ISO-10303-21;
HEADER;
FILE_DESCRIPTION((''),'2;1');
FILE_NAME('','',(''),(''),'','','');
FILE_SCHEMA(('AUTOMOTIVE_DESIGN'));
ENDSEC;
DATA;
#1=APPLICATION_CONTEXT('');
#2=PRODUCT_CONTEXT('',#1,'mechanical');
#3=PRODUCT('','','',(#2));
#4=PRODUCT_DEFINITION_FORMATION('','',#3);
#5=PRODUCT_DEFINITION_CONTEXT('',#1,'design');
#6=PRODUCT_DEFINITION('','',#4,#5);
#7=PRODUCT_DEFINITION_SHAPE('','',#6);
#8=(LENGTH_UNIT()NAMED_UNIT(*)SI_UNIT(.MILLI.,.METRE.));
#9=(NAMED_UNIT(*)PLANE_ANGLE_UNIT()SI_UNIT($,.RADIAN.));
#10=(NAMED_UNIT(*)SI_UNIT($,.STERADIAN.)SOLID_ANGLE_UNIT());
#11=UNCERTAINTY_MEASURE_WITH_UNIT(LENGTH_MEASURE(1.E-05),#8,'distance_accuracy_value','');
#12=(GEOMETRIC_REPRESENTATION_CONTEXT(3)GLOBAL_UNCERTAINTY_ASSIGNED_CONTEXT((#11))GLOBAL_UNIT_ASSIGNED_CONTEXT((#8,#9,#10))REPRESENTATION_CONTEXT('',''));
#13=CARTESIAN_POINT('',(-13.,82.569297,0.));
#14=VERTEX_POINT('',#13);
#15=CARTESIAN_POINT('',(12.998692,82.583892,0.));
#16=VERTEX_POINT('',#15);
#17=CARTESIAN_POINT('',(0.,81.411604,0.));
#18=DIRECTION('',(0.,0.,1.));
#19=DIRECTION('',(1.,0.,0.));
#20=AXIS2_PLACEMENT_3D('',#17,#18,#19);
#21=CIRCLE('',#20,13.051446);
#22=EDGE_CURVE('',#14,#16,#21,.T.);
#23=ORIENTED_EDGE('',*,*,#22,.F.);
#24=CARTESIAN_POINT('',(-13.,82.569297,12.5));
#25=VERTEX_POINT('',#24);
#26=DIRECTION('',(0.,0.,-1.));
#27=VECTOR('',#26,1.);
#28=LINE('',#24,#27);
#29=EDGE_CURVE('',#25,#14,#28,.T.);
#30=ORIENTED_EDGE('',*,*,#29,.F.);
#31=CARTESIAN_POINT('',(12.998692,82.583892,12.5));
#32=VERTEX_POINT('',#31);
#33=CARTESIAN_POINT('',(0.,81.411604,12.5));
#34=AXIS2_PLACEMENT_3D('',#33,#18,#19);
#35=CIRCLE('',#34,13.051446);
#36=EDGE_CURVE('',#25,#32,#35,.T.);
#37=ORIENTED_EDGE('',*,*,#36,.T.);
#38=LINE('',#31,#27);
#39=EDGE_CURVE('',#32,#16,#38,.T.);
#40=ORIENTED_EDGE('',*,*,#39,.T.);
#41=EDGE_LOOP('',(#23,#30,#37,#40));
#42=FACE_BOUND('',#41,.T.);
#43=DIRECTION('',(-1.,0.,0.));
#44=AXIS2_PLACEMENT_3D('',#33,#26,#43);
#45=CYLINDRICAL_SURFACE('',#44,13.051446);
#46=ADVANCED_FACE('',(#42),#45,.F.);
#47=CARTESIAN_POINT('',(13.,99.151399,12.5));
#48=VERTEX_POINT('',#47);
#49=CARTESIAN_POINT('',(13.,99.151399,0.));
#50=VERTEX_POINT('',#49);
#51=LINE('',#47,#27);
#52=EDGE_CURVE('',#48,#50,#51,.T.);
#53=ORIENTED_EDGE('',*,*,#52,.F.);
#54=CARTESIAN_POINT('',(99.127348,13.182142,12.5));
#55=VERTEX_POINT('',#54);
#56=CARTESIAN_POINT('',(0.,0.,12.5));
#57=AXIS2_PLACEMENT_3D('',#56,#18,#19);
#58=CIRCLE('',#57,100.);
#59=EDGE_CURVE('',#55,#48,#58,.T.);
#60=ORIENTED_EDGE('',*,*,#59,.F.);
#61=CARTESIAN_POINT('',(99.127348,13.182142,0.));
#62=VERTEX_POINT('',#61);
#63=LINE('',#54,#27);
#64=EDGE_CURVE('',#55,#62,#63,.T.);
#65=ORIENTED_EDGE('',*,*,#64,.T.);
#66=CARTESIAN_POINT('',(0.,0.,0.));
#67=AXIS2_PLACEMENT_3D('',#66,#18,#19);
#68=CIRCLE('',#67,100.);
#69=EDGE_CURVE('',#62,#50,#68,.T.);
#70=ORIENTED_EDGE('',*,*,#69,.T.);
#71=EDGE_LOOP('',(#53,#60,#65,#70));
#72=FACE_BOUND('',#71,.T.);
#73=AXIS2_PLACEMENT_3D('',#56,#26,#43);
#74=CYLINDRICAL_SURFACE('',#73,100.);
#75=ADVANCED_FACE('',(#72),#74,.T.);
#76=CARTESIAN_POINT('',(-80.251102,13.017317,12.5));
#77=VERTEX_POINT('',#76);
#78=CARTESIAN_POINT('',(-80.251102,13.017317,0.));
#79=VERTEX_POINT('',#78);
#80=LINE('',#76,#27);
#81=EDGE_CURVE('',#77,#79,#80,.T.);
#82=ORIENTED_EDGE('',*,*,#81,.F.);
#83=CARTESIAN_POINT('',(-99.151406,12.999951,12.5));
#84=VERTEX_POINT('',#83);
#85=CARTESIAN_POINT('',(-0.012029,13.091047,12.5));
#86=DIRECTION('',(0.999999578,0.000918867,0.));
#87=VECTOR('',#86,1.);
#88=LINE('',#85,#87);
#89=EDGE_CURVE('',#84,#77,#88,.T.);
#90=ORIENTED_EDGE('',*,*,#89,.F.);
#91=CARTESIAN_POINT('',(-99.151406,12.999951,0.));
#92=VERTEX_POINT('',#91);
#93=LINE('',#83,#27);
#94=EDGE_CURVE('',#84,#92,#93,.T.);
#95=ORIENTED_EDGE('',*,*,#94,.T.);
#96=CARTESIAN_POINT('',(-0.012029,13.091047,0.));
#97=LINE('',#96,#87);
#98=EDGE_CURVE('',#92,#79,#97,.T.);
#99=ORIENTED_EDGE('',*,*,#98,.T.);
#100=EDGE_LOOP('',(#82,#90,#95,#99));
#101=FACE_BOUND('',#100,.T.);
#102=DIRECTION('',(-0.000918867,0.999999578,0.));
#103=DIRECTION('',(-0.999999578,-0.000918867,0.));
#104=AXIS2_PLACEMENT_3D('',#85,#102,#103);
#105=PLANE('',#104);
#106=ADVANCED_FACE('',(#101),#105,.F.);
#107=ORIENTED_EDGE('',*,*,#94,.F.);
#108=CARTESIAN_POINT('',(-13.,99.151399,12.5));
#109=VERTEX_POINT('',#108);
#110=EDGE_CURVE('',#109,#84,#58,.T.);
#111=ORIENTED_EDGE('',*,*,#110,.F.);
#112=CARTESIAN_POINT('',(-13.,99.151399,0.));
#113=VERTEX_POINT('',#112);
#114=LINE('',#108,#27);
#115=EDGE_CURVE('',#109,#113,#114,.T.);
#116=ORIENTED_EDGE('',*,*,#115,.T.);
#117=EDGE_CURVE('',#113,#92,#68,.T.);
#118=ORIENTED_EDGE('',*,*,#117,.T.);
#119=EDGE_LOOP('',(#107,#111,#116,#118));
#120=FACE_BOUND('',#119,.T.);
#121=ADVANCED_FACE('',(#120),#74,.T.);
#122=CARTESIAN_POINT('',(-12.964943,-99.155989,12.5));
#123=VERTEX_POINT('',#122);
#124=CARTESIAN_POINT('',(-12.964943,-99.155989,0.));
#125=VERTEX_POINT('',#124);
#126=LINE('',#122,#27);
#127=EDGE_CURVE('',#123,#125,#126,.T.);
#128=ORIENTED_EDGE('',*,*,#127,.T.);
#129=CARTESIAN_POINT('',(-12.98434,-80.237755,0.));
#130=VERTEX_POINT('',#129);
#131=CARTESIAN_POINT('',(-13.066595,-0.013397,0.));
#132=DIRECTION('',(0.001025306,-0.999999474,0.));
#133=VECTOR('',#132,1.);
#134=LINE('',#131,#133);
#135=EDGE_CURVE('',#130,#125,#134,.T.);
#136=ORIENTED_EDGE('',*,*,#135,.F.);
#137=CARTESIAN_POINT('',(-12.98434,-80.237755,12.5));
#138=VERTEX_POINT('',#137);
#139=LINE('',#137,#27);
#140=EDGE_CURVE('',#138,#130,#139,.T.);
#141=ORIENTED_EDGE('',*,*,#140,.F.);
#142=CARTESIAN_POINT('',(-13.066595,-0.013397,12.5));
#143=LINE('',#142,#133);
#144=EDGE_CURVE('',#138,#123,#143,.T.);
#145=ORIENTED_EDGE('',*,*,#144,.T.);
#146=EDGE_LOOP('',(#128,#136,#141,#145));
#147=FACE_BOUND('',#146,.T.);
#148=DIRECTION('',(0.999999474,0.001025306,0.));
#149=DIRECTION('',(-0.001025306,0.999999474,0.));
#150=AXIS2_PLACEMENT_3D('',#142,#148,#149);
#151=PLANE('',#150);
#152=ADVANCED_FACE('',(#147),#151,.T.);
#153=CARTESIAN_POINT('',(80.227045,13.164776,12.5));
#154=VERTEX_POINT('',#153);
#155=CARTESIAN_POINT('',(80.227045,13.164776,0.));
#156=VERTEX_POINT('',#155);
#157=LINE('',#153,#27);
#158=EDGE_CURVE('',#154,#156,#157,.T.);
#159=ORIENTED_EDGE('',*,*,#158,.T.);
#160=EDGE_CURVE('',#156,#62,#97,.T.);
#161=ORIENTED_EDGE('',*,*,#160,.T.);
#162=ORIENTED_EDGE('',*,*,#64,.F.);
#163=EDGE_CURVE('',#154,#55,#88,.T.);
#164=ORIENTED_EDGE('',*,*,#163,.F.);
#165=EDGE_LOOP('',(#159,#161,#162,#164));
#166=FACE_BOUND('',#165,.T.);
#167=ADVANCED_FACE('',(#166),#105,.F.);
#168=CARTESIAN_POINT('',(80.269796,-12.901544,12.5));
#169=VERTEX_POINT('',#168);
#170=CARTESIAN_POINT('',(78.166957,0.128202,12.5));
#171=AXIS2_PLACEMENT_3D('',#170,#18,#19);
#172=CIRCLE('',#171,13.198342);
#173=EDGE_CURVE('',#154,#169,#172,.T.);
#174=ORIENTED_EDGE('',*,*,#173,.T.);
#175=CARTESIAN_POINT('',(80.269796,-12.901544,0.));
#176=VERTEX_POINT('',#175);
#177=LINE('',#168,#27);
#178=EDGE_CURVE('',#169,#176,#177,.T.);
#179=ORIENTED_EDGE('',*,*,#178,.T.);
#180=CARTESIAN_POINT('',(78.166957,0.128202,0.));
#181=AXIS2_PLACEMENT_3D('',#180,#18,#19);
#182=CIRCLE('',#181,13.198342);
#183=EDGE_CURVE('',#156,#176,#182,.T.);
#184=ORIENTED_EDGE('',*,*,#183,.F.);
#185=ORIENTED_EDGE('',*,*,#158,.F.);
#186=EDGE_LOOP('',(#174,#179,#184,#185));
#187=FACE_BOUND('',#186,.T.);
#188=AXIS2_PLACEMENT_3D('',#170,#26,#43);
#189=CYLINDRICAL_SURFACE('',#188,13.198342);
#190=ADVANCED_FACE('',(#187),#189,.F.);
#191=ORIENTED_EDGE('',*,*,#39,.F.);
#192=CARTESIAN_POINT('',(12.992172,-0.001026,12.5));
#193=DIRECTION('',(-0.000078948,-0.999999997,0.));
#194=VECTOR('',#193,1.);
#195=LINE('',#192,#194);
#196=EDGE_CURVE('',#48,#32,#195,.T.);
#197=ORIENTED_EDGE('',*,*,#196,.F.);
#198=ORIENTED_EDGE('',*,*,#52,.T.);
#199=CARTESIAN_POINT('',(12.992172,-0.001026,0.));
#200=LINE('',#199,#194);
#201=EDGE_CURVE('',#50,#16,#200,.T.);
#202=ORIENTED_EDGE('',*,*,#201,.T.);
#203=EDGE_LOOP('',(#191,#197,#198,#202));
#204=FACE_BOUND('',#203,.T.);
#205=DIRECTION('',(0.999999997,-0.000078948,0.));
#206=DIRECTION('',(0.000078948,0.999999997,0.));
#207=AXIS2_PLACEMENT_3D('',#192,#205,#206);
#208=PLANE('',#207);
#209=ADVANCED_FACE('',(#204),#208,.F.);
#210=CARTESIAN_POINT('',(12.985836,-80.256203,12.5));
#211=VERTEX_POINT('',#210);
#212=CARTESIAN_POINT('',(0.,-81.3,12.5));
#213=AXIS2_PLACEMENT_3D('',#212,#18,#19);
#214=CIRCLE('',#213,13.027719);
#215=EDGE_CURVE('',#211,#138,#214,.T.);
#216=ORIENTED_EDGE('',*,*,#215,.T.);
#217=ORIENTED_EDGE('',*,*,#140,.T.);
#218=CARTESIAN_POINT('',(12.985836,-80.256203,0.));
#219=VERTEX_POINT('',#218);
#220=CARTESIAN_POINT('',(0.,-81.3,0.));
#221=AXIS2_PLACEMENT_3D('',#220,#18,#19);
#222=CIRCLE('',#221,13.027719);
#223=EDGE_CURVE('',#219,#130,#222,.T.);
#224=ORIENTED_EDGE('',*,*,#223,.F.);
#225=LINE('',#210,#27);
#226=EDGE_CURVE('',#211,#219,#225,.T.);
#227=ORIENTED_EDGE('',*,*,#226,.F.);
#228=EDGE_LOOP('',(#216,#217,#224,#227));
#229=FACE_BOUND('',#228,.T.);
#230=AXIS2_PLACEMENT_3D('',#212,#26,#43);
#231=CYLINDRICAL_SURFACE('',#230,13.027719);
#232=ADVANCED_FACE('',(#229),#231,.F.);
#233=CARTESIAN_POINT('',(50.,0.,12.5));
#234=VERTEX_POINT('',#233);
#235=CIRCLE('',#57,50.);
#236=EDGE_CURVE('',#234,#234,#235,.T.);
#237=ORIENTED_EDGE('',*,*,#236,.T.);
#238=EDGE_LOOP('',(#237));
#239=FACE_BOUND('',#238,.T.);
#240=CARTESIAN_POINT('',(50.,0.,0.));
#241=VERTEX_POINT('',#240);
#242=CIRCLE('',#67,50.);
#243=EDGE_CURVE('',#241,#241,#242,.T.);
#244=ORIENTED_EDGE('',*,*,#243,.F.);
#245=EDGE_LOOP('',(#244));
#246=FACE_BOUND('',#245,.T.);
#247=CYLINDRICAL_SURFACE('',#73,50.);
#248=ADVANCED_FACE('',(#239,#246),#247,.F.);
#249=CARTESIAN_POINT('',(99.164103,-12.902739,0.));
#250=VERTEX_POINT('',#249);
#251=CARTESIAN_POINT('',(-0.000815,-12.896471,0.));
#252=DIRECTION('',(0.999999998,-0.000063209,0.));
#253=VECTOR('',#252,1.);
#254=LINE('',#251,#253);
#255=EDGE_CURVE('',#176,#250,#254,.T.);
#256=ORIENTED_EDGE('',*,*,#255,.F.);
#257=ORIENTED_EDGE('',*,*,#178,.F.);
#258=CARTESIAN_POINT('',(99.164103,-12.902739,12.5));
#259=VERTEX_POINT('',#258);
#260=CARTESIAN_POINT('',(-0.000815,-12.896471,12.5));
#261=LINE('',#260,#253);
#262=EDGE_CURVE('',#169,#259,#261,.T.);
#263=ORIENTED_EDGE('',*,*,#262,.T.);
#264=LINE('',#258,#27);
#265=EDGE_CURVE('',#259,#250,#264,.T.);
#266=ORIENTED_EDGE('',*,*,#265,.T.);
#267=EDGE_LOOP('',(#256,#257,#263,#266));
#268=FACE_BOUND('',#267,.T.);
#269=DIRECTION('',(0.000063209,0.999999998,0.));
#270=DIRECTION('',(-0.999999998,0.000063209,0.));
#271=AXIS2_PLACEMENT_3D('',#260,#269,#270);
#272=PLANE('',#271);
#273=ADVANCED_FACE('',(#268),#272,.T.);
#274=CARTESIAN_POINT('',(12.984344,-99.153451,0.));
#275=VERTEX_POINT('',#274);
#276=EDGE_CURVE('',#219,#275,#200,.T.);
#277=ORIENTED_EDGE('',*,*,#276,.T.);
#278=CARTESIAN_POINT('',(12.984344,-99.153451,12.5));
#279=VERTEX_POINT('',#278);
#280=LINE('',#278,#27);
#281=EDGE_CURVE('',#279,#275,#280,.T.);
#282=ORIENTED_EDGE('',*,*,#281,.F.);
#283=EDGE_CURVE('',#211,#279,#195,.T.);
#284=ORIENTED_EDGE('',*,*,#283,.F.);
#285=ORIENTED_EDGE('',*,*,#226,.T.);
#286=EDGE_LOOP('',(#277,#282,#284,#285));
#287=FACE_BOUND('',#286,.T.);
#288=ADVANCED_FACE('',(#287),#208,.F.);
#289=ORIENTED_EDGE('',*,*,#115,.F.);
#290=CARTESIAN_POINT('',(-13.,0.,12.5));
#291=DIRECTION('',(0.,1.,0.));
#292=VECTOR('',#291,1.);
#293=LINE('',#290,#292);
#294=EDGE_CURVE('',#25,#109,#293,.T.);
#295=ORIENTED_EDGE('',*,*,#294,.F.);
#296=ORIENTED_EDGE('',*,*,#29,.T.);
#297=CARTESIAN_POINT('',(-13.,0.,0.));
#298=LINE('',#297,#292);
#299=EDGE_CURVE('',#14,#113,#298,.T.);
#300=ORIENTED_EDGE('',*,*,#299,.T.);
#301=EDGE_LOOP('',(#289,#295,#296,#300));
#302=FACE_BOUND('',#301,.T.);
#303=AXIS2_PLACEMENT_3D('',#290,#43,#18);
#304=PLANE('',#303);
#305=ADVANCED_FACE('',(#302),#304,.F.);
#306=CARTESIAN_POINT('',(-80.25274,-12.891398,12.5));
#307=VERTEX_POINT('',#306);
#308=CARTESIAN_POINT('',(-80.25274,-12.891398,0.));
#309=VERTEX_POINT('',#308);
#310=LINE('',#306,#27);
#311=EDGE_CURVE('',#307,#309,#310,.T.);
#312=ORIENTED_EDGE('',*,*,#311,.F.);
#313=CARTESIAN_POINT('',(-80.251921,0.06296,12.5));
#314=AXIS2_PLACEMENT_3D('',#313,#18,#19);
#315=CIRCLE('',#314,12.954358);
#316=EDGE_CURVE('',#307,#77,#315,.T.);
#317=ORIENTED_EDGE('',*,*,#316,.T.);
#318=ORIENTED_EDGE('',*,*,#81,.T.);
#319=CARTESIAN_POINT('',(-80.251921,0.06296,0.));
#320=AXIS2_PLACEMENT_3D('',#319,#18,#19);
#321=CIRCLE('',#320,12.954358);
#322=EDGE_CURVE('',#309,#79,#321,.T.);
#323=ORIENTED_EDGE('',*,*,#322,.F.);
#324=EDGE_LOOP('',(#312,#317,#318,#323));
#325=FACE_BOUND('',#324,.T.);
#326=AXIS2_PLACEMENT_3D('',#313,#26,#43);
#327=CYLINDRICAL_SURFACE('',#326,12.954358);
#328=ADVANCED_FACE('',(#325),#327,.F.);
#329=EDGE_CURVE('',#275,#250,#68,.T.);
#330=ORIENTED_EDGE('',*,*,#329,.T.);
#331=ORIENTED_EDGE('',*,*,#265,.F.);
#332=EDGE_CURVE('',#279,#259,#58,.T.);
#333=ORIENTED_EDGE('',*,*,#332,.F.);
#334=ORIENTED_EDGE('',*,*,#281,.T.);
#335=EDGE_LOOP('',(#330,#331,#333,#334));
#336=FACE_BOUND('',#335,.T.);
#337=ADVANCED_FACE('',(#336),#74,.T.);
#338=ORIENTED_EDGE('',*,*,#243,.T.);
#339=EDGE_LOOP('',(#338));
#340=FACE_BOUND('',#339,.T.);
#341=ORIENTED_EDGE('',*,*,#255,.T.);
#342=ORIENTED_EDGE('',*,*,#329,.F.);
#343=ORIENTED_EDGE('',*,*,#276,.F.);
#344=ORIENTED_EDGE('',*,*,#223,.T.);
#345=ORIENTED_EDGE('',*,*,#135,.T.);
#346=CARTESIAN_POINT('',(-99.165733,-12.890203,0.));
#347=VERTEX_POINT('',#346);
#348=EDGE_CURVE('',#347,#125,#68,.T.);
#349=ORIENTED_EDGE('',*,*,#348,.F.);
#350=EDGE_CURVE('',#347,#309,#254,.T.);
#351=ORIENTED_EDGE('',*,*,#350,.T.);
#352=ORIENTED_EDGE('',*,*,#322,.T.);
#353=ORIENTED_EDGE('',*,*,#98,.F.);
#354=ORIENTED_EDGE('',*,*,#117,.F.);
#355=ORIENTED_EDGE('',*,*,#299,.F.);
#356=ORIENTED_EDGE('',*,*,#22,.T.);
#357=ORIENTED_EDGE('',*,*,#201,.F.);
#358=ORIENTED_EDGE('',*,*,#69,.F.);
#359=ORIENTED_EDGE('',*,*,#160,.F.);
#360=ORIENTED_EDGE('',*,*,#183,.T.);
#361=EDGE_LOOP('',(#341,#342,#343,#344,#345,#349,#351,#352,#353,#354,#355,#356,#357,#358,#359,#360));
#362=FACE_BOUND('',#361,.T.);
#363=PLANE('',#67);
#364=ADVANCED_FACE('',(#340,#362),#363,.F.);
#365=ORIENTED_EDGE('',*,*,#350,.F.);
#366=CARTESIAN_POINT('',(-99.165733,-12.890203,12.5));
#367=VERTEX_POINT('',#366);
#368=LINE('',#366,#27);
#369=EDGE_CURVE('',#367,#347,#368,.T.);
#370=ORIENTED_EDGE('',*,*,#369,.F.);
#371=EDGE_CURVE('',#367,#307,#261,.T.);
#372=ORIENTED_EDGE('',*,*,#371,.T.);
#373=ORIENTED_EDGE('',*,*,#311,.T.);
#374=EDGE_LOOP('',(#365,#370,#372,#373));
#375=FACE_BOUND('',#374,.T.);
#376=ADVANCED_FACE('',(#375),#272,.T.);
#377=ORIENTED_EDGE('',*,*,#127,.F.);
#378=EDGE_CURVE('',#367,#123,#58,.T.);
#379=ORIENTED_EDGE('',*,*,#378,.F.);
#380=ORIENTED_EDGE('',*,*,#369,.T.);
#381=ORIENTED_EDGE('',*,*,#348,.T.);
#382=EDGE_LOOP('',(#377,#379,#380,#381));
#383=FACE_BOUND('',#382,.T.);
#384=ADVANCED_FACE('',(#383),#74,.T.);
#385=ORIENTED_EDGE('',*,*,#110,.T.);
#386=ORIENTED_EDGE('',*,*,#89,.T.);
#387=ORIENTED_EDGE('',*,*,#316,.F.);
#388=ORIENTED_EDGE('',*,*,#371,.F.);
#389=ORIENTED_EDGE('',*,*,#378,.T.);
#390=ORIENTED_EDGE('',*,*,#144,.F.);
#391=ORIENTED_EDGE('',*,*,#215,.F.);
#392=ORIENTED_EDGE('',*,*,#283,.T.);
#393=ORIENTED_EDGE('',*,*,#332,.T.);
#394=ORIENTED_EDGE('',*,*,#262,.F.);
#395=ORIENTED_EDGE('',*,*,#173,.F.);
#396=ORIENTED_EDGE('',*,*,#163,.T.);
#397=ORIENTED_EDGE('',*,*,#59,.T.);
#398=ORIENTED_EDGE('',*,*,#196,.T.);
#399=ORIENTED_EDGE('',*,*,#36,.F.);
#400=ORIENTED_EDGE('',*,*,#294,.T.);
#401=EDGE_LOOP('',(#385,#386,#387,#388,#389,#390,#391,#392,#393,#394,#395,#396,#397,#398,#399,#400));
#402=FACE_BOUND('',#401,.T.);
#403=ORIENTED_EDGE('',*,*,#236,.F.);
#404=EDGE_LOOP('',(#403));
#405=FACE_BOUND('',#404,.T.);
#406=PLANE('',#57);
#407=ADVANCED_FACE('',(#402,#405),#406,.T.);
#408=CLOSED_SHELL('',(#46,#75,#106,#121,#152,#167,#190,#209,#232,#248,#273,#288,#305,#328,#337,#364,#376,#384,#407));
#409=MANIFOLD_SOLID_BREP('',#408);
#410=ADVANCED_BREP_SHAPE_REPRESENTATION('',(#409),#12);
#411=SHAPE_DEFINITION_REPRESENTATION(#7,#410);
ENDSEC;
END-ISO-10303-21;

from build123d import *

# Parameters (mm, degrees)
SKETCH1_R           = 50
BOSS_EXTRUDE1_DEPTH = 12.5


with BuildPart() as part:
    # Sketch1 → Boss-Extrude1 (new body)
    with BuildSketch(Plane.XY):
        with BuildLine():
            ThreePointArc((80.269796006, -12.90154445), (64.968632792, 0.106555165), (80.22704459, 13.164775589))
            Line((80.22704459, 13.164775589), (99.127347992, 13.182142467))
            ThreePointArc((99.127347992, 13.182142467), (70.645692195, 70.775604372), (13, 99.151399385))
            Line((13, 99.151399385), (12.998692028, 82.58389221))
            ThreePointArc((12.998692028, 82.58389221), (1.164991508, 68.412255439), (-13, 80.253909562))
            ThreePointArc((-13, 80.253909562), (-13.051446481, 81.411603502), (-13, 82.569297441))
            Line((-13, 82.569297441), (-13, 99.151399385))
            ThreePointArc((-13, 99.151399385), (-70.710695757, 70.71066048), (-99.151405871, 12.999950534))
            Line((-99.151405871, 12.999950534), (-80.251102468, 13.017317412))
            ThreePointArc((-80.251102468, 13.017317412), (-67.29756358, 0.062140866), (-80.252740126, -12.891398023))
            Line((-80.252740126, -12.891398023), (-99.165733386, -12.890202557))
            ThreePointArc((-99.165733386, -12.890202557), (-70.737321503, -70.684024692), (-12.964943151, -99.155989477))
            Line((-12.964943151, -99.155989477), (-12.984340134, -80.237755153))
            ThreePointArc((-12.984340134, -80.237755153), (0.009254017, -68.272284652), (12.985836125, -80.256202627))
            Line((12.985836125, -80.256202627), (12.984344225, -99.153450797))
            ThreePointArc((12.984344225, -99.153450797), (70.739768795, -70.681575469), (99.164103047, -12.902738735))
            Line((99.164103047, -12.902738735), (80.269796006, -12.90154445))
        make_face()
        Circle(SKETCH1_R, mode=Mode.SUBTRACT)
    extrude(amount=BOSS_EXTRUDE1_DEPTH)


solid = part.part
